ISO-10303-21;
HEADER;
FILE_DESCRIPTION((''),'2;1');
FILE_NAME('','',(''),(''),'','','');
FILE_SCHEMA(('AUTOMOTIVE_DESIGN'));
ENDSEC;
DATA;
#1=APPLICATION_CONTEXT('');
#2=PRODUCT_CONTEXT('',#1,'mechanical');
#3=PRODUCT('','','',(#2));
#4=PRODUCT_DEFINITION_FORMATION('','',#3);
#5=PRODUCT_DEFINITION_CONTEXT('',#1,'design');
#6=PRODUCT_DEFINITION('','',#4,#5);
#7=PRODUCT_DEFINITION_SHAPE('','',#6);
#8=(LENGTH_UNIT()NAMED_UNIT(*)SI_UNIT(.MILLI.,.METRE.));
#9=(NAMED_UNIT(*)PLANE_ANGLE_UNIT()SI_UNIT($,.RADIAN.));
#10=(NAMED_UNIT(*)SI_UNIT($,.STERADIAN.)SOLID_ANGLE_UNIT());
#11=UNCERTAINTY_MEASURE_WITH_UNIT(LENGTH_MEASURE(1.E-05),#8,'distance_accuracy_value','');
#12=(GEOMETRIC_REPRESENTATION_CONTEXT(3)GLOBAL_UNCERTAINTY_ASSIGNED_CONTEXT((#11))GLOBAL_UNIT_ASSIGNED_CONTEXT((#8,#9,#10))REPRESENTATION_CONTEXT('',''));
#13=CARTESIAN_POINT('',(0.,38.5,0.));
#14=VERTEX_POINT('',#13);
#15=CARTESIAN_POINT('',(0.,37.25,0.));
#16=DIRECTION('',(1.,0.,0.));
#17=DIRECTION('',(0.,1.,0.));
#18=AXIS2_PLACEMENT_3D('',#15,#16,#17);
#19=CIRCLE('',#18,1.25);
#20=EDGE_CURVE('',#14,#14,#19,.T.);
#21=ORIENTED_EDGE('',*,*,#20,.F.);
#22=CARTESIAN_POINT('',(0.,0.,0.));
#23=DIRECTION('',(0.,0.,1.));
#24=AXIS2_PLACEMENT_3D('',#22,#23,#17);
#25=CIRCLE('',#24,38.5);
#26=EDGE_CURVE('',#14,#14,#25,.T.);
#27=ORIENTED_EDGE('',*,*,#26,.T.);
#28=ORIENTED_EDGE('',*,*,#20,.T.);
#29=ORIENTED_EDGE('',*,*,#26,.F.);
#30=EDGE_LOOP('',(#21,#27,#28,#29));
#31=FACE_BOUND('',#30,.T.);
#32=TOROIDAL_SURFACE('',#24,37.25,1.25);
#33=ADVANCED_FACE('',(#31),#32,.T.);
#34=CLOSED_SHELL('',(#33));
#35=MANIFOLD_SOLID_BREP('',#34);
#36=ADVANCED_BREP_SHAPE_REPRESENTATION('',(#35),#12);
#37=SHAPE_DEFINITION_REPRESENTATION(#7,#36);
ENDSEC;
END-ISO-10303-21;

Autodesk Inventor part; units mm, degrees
ref_plane "YZ Plane" through (0, 0, 0) normal (1, 0, 0) x (0, 1, 0)
ref_plane "XZ Plane" through (0, 0, 0) normal (0, 1, 0) x (-1, 0, 0)
ref_plane "XY Plane" through (0, 0, 0) normal (0, 0, 1) x (1, 0, 0)
sketch "Эскиз1" plane through (0, 0, 0) normal (1, 0, 0) x (0, 1, 0)
  circle A0 centre (37.25, 0) radius 1.25
  line L0 (0, -1.75) -> (0, 1.75) projected
  point P0 (0, 0)
  dimension "d0" = 2.5
  dimension "d1" = 37.25
revolve "Вращение1" add sketch "Эскиз1" angle 360 about axis through (0, 0, -10) along (0, 0, 1)
properties part number "КОДЬЦО 062-066-25 гост 9833"
